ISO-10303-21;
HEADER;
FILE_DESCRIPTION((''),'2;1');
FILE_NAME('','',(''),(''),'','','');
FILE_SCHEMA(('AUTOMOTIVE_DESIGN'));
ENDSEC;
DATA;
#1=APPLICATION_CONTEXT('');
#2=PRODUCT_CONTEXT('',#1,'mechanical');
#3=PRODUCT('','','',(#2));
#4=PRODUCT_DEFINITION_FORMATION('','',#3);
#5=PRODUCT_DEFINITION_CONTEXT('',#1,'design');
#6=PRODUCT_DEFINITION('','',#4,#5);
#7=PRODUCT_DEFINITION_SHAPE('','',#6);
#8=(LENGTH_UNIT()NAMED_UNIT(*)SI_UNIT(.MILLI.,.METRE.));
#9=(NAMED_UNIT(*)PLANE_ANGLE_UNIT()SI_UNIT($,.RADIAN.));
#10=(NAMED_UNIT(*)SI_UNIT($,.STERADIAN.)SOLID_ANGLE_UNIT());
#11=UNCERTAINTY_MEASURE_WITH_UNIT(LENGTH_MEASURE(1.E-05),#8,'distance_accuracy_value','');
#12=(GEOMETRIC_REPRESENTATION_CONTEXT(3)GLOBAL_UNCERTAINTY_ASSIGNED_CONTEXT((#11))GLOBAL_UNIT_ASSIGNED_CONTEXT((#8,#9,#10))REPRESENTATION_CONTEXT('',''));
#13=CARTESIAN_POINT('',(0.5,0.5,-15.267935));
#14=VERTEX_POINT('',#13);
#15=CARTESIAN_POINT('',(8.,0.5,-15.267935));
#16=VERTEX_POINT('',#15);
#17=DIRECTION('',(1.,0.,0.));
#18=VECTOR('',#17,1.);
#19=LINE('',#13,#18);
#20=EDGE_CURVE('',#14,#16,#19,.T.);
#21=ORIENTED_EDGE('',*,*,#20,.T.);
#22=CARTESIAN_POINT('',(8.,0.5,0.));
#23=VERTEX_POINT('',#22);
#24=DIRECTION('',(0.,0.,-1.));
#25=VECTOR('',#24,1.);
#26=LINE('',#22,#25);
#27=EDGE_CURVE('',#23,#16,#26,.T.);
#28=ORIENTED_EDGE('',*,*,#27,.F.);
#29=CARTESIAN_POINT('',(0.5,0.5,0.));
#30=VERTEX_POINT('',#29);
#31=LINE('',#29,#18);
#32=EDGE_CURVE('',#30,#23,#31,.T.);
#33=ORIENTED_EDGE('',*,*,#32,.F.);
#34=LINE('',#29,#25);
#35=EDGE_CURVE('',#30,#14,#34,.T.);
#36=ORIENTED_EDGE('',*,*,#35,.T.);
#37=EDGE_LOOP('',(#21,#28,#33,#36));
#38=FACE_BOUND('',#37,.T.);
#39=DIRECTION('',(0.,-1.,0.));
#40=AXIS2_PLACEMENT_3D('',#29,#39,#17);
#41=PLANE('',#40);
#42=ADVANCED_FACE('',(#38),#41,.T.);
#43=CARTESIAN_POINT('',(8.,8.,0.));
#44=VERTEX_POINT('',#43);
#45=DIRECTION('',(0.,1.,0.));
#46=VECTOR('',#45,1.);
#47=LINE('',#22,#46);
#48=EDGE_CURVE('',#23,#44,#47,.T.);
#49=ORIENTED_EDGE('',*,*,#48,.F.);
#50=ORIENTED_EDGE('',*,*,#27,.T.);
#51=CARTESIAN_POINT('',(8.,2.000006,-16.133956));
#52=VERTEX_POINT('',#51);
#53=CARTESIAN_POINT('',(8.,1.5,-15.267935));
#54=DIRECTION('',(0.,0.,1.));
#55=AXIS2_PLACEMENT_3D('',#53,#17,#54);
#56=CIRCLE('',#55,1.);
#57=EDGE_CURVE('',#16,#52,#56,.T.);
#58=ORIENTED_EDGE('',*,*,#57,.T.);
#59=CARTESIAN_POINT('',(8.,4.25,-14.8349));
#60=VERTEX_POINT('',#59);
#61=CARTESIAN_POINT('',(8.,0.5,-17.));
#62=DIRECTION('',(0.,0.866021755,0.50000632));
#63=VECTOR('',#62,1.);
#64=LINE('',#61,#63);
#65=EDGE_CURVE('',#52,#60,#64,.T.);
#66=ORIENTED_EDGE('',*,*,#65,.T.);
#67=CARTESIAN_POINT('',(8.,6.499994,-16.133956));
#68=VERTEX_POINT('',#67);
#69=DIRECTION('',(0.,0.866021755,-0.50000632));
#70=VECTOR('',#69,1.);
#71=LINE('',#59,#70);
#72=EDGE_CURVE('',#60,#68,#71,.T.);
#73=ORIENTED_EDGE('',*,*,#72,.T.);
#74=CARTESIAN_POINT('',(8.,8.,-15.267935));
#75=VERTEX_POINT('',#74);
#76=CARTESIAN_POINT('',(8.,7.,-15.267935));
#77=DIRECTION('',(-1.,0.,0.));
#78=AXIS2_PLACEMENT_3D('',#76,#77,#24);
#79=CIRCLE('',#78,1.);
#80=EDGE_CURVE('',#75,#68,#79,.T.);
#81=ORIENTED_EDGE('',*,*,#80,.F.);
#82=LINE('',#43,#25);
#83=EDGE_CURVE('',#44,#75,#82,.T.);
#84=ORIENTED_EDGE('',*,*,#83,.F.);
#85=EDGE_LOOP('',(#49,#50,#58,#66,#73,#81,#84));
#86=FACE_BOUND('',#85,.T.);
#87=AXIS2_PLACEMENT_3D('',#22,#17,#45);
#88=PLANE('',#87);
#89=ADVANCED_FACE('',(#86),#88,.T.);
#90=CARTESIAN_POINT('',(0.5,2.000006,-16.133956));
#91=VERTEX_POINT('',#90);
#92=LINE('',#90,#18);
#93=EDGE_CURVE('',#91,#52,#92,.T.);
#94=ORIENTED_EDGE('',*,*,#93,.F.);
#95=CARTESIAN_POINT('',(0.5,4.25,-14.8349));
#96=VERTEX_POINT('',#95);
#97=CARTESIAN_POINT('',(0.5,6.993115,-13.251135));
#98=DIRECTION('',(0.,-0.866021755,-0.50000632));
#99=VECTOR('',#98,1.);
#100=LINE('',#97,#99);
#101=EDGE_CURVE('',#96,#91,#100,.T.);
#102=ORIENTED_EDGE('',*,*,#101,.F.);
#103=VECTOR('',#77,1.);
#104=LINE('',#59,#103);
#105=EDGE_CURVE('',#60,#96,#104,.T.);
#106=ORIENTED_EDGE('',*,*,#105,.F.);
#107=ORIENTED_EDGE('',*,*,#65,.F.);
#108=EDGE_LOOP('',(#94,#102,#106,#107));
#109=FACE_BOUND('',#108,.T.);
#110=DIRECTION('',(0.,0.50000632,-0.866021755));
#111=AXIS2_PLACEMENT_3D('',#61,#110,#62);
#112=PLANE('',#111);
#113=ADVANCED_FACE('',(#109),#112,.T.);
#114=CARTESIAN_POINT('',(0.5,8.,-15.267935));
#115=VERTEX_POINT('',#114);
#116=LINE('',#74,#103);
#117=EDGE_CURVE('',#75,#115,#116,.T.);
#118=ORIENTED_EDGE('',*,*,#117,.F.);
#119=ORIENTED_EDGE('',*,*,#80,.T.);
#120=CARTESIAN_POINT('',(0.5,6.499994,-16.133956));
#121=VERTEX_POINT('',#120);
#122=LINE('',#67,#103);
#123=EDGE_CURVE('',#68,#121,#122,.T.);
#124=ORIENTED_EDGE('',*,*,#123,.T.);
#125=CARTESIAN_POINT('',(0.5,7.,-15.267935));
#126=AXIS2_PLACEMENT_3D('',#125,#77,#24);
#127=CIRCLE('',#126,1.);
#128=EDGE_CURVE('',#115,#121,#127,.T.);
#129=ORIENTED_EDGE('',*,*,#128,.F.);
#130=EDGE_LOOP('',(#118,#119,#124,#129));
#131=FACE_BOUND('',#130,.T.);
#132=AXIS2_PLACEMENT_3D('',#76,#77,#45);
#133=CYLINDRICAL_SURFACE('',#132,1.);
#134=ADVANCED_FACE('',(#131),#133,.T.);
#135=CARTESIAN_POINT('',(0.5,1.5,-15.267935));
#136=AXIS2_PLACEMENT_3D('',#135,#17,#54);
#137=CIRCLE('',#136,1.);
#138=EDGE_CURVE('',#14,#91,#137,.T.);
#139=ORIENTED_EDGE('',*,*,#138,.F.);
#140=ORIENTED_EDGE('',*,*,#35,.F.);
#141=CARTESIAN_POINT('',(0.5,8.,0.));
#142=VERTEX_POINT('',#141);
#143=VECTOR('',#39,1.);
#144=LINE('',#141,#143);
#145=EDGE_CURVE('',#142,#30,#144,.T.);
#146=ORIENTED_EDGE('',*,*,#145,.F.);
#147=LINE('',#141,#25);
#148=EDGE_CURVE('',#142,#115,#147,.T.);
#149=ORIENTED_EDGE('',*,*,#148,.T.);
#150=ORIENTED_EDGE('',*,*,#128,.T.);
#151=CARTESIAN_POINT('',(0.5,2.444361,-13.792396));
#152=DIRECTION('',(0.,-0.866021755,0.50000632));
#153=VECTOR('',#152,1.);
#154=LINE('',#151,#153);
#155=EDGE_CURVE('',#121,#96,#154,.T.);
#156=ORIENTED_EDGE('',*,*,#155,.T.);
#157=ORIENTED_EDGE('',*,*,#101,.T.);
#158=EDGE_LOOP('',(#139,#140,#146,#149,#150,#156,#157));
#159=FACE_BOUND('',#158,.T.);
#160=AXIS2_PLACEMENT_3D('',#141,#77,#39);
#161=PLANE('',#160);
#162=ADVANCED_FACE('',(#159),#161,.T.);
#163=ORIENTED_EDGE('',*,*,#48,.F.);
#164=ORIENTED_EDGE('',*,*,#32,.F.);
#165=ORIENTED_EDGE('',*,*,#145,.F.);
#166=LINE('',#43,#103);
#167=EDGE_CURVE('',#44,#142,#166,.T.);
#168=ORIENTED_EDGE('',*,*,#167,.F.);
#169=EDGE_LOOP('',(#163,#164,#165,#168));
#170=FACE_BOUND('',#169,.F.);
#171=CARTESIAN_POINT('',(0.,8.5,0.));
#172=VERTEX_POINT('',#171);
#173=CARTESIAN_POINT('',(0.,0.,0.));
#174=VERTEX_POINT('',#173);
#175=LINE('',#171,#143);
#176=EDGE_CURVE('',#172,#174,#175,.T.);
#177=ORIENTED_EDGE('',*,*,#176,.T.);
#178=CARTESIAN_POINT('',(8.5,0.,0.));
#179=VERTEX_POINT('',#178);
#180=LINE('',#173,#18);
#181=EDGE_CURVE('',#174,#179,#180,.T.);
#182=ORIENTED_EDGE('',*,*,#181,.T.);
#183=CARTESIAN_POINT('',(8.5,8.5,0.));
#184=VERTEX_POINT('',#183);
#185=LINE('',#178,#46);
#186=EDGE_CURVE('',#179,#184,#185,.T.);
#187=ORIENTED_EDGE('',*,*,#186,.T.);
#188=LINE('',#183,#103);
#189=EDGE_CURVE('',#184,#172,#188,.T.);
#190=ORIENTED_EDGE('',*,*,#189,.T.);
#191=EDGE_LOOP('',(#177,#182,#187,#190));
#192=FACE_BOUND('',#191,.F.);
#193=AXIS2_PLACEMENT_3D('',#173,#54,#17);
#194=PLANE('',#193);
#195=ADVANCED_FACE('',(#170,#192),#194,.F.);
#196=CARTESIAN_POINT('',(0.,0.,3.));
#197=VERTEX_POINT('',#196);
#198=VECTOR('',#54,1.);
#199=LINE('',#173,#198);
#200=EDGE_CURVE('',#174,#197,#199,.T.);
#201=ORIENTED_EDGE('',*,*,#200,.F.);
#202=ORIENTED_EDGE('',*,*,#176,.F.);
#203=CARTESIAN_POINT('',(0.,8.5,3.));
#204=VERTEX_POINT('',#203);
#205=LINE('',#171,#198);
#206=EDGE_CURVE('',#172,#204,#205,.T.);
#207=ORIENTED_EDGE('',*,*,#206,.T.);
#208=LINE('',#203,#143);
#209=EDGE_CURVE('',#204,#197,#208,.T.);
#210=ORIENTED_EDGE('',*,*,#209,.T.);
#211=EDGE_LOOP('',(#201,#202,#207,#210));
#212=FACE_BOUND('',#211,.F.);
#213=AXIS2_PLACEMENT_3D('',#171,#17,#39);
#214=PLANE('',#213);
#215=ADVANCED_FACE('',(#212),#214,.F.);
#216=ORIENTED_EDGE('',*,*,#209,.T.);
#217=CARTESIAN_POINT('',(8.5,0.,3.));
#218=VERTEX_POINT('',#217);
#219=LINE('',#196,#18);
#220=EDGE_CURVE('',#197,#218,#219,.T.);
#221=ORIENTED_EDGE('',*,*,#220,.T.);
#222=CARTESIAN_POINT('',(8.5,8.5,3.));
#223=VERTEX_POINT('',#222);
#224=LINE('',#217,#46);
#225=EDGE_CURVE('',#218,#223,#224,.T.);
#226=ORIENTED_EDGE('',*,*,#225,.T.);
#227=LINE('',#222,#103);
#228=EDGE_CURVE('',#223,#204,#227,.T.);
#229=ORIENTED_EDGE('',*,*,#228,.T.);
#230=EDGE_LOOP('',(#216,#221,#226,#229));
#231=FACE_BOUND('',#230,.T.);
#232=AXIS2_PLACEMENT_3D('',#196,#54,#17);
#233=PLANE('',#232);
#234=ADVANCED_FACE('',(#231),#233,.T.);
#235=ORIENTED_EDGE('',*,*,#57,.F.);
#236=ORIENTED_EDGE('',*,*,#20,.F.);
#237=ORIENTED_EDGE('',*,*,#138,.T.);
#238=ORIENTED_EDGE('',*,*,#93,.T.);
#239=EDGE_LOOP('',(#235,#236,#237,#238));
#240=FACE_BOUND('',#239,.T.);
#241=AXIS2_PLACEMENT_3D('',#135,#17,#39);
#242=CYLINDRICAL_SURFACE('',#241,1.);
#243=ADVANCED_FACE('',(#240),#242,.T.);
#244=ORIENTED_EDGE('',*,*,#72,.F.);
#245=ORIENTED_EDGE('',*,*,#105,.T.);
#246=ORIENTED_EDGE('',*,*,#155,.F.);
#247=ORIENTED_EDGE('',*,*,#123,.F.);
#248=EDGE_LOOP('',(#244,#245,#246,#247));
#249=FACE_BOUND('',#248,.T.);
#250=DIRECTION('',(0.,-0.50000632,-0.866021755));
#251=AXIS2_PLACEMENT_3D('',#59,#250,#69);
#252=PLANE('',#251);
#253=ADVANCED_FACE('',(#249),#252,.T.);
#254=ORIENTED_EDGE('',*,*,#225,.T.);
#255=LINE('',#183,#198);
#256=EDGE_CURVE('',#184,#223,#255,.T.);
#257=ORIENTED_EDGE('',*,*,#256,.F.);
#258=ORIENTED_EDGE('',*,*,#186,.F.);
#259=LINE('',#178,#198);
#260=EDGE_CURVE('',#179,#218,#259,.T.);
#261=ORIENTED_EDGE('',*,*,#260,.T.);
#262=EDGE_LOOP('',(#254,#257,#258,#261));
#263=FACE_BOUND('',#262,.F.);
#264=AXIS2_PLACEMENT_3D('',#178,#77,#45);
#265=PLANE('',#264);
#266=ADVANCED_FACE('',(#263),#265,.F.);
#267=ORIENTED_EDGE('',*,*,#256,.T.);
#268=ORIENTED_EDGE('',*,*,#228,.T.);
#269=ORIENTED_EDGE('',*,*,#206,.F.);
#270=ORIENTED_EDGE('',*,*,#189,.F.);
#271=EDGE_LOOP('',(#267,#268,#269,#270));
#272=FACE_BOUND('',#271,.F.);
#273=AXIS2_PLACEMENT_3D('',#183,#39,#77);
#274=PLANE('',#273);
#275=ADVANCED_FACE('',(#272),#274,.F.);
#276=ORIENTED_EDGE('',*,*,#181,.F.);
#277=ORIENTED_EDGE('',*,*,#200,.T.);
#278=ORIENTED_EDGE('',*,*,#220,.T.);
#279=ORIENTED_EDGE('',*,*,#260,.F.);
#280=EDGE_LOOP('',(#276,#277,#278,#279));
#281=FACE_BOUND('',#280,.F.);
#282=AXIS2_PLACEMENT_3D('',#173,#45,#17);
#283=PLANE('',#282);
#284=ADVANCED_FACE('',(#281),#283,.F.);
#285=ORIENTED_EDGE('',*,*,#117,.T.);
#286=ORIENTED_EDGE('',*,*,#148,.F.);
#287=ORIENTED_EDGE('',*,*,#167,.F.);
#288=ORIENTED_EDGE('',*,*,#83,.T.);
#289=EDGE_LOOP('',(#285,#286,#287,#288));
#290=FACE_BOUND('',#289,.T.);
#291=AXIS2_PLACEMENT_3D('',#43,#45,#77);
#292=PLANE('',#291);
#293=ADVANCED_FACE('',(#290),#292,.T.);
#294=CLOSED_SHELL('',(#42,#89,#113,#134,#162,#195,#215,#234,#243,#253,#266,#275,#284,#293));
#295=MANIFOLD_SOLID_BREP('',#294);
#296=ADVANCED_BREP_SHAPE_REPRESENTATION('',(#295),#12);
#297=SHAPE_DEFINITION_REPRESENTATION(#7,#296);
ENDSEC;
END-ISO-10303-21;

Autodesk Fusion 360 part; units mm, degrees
sketch "Sketch1" plane through (0, 0, 0) normal (0, 0, 1) x (1, 0, 0)
  line L0 (0, 0) -> (8.5, 0)
  line L1 (8.5, 0) -> (8.5, 8.5)
  line L2 (8.5, 8.5) -> (0, 8.5)
  line L3 (0, 8.5) -> (0, 0)
  dimension "d1" = 8.5
extrude "Extrude1" add sketch "Sketch1" along normal blind 3
sketch "Sketch2" plane through (0, 0, 0) normal (0, 0, -1) x (1, 0, 0)
  line L0 (0, 0) -> (0, -8.5)
  line L1 (0, -8.5) -> (8.5, -8.5)
  line L2 (8.5, -8.5) -> (8.5, 0)
  line L3 (8.5, 0) -> (0, 0)
  line L4 (0.5, -0.5) -> (8, -0.5)
  line L5 (8, -0.5) -> (8, -8)
  line L6 (8, -8) -> (0.5, -8)
  line L7 (0.5, -8) -> (0.5, -0.5)
  line L8 (0.5, -0.5) -> (8, -8) construction
  line L9 (8.5, 0) -> (0, -8.5) construction
  dimension "d4" = 7.5
extrude "Extrude2" add sketch "Sketch2" along normal blind 17 contours L4 L5 L6 L7
sketch "Sketch3" plane through (8, 0, 0) normal (1, 0, 0) x (0, 1, 0)
  line L0 (8, 0) -> (0.5, 0)
  line L1 (0.5, 0) -> (0.5, -17)
  line L2 (0.5, -17) -> (8, -17)
  line L3 (8, -17) -> (8, 0)
  line L4 (0.5, -17) -> (4.25, -14.8349)
  line L5 (4.25, -14.8349) -> (8, -17)
  line L6 (8, -17) -> (0.5, -17)
  dimension "d7" = 120
extrude "Extrude3" cut sketch "Sketch3" against normal through all contours L2 L4 L5 L6
fillet "Fillet1" radius 1 2 edges at (4.25, 0.5, -17) (4.25, 8, -17)
